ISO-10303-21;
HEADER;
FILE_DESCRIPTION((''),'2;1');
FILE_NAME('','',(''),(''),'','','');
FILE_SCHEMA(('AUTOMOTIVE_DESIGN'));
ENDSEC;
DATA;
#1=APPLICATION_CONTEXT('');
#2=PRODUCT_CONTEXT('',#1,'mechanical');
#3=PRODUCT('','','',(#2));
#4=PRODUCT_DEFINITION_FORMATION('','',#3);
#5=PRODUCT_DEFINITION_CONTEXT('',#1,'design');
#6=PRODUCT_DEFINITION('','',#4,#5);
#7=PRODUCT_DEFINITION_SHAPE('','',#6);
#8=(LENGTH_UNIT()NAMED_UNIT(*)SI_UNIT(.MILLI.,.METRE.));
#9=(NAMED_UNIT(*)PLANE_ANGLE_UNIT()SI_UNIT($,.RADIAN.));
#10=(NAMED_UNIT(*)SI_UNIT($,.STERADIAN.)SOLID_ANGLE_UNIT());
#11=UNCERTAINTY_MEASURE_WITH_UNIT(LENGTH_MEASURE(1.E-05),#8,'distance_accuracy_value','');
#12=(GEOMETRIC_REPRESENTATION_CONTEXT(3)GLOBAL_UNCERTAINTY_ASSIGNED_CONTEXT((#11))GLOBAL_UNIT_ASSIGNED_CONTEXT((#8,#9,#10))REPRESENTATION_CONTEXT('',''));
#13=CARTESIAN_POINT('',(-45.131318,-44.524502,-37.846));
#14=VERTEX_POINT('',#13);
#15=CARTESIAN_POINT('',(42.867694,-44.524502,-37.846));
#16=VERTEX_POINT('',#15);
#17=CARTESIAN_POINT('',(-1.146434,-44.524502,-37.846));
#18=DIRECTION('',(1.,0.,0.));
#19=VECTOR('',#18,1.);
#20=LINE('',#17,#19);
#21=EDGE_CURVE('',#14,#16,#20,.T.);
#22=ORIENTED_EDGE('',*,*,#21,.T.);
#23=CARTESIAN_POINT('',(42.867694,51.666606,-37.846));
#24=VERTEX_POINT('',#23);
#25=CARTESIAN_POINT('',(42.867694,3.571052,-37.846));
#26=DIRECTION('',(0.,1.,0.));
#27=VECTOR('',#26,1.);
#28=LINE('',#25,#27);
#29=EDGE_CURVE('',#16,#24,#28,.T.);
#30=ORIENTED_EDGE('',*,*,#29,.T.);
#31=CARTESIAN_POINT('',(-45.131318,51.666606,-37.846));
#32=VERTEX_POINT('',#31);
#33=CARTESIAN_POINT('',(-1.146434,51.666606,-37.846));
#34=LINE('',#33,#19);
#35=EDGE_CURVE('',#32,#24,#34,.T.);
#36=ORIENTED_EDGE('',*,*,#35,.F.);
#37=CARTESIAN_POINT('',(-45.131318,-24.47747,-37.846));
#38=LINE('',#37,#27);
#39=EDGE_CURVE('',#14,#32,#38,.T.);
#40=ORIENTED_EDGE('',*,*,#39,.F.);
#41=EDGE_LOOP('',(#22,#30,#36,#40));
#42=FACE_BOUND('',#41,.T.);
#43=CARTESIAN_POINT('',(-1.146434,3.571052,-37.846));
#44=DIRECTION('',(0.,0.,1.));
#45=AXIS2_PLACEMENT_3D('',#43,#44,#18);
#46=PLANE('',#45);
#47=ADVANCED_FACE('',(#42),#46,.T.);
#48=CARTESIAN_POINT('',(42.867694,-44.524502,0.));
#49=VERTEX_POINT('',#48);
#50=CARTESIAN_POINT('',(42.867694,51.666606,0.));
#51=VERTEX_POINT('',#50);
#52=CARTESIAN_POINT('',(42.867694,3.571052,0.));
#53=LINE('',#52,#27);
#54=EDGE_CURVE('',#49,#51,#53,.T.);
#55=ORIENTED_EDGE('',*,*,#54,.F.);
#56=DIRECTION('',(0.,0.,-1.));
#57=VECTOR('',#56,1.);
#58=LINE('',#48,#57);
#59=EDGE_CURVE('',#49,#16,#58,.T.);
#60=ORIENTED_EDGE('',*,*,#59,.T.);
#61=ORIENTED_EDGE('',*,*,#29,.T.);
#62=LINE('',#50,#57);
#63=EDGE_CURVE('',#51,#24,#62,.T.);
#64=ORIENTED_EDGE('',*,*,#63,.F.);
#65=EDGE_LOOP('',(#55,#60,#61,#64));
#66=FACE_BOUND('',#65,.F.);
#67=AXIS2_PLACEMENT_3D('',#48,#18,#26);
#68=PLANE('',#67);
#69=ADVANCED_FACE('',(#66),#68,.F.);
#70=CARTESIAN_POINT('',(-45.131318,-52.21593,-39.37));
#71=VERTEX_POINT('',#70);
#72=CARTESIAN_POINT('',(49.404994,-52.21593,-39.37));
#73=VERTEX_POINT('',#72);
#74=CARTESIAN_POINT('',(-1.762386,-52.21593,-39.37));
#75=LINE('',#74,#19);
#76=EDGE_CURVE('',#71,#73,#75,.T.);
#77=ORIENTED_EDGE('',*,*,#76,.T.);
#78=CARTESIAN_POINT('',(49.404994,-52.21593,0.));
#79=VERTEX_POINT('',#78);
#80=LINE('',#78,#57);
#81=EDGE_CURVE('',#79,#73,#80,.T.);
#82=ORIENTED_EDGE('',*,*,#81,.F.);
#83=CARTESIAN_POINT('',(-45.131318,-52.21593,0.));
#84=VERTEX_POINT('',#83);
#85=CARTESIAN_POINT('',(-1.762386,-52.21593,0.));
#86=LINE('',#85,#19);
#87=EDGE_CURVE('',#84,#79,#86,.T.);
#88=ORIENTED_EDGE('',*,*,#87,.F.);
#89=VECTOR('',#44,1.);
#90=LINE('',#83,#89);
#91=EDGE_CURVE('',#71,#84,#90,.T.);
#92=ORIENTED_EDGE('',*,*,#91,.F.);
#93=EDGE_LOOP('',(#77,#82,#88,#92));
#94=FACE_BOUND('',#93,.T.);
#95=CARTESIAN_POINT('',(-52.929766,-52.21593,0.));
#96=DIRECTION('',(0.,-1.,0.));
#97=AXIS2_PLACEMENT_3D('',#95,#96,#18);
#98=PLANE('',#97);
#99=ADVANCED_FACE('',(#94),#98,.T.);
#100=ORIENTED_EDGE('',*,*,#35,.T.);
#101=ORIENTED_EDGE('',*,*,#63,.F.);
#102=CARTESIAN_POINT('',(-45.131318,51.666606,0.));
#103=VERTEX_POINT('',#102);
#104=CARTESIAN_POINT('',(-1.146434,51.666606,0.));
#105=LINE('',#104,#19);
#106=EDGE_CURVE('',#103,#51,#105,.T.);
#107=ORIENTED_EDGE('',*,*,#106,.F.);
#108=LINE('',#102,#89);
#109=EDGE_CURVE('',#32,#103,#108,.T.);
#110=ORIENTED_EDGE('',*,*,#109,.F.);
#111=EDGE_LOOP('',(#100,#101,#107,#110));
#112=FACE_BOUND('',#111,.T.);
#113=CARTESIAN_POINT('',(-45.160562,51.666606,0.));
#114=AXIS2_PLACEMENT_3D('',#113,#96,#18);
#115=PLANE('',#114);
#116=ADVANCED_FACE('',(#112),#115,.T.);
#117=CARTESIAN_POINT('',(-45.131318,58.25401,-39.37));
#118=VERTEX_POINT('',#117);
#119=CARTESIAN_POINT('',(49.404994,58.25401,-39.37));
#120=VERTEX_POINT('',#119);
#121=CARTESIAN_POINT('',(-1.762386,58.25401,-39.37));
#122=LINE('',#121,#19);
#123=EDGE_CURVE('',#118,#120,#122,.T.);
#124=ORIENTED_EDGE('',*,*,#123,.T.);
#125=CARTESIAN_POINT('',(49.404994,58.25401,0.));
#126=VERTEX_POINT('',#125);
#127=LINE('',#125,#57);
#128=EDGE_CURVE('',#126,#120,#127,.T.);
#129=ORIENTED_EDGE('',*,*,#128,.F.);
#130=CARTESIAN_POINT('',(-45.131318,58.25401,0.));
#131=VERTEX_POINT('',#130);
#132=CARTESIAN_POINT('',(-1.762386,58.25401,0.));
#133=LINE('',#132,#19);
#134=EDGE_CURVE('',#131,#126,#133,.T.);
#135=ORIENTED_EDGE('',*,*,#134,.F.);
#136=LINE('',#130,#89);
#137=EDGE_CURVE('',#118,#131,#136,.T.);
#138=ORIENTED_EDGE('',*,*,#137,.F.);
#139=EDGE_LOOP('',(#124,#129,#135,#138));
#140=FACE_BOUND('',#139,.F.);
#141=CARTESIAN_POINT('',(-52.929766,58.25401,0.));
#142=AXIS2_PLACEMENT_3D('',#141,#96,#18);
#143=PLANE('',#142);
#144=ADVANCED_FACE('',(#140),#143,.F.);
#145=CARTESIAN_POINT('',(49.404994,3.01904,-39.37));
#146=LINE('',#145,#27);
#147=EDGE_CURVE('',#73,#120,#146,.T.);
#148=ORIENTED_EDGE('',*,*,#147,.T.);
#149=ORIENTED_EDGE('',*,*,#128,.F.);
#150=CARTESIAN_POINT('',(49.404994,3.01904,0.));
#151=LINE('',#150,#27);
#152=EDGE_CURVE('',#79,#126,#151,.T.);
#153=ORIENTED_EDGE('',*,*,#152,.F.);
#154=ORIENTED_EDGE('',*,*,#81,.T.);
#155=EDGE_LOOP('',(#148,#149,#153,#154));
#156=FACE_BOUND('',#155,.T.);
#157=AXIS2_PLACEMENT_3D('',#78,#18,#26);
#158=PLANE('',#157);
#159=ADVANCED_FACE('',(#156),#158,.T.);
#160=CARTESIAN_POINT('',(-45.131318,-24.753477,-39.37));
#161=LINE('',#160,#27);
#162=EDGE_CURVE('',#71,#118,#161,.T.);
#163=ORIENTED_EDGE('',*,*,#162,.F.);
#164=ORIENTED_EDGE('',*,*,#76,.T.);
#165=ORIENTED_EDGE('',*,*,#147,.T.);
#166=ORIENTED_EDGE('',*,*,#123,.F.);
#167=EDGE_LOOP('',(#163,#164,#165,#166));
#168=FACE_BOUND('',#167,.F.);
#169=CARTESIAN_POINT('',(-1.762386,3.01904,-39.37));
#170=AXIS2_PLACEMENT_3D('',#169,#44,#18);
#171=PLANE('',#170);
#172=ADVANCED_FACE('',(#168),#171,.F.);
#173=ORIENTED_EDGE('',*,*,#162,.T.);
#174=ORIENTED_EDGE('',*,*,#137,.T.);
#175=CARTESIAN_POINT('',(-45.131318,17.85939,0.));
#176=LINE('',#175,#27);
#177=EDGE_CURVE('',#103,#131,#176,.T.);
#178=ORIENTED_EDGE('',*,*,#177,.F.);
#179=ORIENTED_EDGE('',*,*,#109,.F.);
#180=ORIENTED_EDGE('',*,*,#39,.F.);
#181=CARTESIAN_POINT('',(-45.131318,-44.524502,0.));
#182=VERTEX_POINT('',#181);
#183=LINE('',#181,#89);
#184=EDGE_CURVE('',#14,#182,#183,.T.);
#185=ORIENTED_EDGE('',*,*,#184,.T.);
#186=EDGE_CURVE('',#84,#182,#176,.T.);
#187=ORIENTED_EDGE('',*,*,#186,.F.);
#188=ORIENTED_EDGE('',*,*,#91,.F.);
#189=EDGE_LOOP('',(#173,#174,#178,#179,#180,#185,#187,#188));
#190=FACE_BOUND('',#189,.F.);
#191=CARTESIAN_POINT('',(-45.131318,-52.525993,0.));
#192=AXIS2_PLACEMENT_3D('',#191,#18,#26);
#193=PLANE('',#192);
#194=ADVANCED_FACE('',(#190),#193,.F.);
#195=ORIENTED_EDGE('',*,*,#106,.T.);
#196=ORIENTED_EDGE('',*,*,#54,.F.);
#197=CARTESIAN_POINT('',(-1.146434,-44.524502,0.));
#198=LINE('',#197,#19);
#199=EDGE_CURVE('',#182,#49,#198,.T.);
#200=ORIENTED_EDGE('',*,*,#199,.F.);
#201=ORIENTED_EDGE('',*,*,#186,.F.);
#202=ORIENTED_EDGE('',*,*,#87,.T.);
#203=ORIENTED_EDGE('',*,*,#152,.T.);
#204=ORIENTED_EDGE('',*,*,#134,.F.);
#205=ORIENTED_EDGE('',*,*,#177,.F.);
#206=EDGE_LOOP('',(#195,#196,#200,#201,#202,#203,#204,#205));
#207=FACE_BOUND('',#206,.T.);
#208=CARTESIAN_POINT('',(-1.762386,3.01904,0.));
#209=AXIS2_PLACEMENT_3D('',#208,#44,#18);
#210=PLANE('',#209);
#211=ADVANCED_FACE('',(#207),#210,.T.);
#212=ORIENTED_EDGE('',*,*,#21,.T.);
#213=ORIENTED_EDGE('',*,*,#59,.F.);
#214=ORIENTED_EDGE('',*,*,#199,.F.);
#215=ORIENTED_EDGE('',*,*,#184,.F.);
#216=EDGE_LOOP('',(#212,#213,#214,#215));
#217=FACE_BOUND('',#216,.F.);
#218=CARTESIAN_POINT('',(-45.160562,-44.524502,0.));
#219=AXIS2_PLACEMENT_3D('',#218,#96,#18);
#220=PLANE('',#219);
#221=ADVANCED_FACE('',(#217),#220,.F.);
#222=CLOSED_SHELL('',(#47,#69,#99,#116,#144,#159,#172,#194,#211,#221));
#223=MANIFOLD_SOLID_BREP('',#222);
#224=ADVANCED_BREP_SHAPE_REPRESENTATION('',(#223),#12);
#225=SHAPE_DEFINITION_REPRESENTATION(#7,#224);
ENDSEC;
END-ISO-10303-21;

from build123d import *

# Parameters (mm, degrees)
F0_W     = 102.33476
F0_H     = 110.469941
F1_DEPTH = 39.37
F2_W     = 88.028256
F2_H     = 96.191108
F3_DEPTH = 37.846
F4_W     = 28.833367
F4_H     = 140.770766
F5_DEPTH = 58.166


with BuildPart() as f1:
    # F0 (on Top) → F1 (new body)
    with BuildSketch(Plane.XY):
        with Locations((-1.762386, 3.01904)):
            Rectangle(F0_W, F0_H)
    extrude(amount=-F1_DEPTH)

    # F2 (on face) → F3 (cut)
    with BuildSketch(Plane.XY):
        with Locations((-1.146434, 3.571052)):
            Rectangle(F2_W, F2_H)
    extrude(amount=-F3_DEPTH, mode=Mode.SUBTRACT)

    # F4 (on Top) → F5 (cut)
    with BuildSketch(Plane.XY):
        with Locations((-59.548001, 17.85939)):
            Rectangle(F4_W, F4_H)
    extrude(amount=-F5_DEPTH, mode=Mode.SUBTRACT)


solid = f1.part
